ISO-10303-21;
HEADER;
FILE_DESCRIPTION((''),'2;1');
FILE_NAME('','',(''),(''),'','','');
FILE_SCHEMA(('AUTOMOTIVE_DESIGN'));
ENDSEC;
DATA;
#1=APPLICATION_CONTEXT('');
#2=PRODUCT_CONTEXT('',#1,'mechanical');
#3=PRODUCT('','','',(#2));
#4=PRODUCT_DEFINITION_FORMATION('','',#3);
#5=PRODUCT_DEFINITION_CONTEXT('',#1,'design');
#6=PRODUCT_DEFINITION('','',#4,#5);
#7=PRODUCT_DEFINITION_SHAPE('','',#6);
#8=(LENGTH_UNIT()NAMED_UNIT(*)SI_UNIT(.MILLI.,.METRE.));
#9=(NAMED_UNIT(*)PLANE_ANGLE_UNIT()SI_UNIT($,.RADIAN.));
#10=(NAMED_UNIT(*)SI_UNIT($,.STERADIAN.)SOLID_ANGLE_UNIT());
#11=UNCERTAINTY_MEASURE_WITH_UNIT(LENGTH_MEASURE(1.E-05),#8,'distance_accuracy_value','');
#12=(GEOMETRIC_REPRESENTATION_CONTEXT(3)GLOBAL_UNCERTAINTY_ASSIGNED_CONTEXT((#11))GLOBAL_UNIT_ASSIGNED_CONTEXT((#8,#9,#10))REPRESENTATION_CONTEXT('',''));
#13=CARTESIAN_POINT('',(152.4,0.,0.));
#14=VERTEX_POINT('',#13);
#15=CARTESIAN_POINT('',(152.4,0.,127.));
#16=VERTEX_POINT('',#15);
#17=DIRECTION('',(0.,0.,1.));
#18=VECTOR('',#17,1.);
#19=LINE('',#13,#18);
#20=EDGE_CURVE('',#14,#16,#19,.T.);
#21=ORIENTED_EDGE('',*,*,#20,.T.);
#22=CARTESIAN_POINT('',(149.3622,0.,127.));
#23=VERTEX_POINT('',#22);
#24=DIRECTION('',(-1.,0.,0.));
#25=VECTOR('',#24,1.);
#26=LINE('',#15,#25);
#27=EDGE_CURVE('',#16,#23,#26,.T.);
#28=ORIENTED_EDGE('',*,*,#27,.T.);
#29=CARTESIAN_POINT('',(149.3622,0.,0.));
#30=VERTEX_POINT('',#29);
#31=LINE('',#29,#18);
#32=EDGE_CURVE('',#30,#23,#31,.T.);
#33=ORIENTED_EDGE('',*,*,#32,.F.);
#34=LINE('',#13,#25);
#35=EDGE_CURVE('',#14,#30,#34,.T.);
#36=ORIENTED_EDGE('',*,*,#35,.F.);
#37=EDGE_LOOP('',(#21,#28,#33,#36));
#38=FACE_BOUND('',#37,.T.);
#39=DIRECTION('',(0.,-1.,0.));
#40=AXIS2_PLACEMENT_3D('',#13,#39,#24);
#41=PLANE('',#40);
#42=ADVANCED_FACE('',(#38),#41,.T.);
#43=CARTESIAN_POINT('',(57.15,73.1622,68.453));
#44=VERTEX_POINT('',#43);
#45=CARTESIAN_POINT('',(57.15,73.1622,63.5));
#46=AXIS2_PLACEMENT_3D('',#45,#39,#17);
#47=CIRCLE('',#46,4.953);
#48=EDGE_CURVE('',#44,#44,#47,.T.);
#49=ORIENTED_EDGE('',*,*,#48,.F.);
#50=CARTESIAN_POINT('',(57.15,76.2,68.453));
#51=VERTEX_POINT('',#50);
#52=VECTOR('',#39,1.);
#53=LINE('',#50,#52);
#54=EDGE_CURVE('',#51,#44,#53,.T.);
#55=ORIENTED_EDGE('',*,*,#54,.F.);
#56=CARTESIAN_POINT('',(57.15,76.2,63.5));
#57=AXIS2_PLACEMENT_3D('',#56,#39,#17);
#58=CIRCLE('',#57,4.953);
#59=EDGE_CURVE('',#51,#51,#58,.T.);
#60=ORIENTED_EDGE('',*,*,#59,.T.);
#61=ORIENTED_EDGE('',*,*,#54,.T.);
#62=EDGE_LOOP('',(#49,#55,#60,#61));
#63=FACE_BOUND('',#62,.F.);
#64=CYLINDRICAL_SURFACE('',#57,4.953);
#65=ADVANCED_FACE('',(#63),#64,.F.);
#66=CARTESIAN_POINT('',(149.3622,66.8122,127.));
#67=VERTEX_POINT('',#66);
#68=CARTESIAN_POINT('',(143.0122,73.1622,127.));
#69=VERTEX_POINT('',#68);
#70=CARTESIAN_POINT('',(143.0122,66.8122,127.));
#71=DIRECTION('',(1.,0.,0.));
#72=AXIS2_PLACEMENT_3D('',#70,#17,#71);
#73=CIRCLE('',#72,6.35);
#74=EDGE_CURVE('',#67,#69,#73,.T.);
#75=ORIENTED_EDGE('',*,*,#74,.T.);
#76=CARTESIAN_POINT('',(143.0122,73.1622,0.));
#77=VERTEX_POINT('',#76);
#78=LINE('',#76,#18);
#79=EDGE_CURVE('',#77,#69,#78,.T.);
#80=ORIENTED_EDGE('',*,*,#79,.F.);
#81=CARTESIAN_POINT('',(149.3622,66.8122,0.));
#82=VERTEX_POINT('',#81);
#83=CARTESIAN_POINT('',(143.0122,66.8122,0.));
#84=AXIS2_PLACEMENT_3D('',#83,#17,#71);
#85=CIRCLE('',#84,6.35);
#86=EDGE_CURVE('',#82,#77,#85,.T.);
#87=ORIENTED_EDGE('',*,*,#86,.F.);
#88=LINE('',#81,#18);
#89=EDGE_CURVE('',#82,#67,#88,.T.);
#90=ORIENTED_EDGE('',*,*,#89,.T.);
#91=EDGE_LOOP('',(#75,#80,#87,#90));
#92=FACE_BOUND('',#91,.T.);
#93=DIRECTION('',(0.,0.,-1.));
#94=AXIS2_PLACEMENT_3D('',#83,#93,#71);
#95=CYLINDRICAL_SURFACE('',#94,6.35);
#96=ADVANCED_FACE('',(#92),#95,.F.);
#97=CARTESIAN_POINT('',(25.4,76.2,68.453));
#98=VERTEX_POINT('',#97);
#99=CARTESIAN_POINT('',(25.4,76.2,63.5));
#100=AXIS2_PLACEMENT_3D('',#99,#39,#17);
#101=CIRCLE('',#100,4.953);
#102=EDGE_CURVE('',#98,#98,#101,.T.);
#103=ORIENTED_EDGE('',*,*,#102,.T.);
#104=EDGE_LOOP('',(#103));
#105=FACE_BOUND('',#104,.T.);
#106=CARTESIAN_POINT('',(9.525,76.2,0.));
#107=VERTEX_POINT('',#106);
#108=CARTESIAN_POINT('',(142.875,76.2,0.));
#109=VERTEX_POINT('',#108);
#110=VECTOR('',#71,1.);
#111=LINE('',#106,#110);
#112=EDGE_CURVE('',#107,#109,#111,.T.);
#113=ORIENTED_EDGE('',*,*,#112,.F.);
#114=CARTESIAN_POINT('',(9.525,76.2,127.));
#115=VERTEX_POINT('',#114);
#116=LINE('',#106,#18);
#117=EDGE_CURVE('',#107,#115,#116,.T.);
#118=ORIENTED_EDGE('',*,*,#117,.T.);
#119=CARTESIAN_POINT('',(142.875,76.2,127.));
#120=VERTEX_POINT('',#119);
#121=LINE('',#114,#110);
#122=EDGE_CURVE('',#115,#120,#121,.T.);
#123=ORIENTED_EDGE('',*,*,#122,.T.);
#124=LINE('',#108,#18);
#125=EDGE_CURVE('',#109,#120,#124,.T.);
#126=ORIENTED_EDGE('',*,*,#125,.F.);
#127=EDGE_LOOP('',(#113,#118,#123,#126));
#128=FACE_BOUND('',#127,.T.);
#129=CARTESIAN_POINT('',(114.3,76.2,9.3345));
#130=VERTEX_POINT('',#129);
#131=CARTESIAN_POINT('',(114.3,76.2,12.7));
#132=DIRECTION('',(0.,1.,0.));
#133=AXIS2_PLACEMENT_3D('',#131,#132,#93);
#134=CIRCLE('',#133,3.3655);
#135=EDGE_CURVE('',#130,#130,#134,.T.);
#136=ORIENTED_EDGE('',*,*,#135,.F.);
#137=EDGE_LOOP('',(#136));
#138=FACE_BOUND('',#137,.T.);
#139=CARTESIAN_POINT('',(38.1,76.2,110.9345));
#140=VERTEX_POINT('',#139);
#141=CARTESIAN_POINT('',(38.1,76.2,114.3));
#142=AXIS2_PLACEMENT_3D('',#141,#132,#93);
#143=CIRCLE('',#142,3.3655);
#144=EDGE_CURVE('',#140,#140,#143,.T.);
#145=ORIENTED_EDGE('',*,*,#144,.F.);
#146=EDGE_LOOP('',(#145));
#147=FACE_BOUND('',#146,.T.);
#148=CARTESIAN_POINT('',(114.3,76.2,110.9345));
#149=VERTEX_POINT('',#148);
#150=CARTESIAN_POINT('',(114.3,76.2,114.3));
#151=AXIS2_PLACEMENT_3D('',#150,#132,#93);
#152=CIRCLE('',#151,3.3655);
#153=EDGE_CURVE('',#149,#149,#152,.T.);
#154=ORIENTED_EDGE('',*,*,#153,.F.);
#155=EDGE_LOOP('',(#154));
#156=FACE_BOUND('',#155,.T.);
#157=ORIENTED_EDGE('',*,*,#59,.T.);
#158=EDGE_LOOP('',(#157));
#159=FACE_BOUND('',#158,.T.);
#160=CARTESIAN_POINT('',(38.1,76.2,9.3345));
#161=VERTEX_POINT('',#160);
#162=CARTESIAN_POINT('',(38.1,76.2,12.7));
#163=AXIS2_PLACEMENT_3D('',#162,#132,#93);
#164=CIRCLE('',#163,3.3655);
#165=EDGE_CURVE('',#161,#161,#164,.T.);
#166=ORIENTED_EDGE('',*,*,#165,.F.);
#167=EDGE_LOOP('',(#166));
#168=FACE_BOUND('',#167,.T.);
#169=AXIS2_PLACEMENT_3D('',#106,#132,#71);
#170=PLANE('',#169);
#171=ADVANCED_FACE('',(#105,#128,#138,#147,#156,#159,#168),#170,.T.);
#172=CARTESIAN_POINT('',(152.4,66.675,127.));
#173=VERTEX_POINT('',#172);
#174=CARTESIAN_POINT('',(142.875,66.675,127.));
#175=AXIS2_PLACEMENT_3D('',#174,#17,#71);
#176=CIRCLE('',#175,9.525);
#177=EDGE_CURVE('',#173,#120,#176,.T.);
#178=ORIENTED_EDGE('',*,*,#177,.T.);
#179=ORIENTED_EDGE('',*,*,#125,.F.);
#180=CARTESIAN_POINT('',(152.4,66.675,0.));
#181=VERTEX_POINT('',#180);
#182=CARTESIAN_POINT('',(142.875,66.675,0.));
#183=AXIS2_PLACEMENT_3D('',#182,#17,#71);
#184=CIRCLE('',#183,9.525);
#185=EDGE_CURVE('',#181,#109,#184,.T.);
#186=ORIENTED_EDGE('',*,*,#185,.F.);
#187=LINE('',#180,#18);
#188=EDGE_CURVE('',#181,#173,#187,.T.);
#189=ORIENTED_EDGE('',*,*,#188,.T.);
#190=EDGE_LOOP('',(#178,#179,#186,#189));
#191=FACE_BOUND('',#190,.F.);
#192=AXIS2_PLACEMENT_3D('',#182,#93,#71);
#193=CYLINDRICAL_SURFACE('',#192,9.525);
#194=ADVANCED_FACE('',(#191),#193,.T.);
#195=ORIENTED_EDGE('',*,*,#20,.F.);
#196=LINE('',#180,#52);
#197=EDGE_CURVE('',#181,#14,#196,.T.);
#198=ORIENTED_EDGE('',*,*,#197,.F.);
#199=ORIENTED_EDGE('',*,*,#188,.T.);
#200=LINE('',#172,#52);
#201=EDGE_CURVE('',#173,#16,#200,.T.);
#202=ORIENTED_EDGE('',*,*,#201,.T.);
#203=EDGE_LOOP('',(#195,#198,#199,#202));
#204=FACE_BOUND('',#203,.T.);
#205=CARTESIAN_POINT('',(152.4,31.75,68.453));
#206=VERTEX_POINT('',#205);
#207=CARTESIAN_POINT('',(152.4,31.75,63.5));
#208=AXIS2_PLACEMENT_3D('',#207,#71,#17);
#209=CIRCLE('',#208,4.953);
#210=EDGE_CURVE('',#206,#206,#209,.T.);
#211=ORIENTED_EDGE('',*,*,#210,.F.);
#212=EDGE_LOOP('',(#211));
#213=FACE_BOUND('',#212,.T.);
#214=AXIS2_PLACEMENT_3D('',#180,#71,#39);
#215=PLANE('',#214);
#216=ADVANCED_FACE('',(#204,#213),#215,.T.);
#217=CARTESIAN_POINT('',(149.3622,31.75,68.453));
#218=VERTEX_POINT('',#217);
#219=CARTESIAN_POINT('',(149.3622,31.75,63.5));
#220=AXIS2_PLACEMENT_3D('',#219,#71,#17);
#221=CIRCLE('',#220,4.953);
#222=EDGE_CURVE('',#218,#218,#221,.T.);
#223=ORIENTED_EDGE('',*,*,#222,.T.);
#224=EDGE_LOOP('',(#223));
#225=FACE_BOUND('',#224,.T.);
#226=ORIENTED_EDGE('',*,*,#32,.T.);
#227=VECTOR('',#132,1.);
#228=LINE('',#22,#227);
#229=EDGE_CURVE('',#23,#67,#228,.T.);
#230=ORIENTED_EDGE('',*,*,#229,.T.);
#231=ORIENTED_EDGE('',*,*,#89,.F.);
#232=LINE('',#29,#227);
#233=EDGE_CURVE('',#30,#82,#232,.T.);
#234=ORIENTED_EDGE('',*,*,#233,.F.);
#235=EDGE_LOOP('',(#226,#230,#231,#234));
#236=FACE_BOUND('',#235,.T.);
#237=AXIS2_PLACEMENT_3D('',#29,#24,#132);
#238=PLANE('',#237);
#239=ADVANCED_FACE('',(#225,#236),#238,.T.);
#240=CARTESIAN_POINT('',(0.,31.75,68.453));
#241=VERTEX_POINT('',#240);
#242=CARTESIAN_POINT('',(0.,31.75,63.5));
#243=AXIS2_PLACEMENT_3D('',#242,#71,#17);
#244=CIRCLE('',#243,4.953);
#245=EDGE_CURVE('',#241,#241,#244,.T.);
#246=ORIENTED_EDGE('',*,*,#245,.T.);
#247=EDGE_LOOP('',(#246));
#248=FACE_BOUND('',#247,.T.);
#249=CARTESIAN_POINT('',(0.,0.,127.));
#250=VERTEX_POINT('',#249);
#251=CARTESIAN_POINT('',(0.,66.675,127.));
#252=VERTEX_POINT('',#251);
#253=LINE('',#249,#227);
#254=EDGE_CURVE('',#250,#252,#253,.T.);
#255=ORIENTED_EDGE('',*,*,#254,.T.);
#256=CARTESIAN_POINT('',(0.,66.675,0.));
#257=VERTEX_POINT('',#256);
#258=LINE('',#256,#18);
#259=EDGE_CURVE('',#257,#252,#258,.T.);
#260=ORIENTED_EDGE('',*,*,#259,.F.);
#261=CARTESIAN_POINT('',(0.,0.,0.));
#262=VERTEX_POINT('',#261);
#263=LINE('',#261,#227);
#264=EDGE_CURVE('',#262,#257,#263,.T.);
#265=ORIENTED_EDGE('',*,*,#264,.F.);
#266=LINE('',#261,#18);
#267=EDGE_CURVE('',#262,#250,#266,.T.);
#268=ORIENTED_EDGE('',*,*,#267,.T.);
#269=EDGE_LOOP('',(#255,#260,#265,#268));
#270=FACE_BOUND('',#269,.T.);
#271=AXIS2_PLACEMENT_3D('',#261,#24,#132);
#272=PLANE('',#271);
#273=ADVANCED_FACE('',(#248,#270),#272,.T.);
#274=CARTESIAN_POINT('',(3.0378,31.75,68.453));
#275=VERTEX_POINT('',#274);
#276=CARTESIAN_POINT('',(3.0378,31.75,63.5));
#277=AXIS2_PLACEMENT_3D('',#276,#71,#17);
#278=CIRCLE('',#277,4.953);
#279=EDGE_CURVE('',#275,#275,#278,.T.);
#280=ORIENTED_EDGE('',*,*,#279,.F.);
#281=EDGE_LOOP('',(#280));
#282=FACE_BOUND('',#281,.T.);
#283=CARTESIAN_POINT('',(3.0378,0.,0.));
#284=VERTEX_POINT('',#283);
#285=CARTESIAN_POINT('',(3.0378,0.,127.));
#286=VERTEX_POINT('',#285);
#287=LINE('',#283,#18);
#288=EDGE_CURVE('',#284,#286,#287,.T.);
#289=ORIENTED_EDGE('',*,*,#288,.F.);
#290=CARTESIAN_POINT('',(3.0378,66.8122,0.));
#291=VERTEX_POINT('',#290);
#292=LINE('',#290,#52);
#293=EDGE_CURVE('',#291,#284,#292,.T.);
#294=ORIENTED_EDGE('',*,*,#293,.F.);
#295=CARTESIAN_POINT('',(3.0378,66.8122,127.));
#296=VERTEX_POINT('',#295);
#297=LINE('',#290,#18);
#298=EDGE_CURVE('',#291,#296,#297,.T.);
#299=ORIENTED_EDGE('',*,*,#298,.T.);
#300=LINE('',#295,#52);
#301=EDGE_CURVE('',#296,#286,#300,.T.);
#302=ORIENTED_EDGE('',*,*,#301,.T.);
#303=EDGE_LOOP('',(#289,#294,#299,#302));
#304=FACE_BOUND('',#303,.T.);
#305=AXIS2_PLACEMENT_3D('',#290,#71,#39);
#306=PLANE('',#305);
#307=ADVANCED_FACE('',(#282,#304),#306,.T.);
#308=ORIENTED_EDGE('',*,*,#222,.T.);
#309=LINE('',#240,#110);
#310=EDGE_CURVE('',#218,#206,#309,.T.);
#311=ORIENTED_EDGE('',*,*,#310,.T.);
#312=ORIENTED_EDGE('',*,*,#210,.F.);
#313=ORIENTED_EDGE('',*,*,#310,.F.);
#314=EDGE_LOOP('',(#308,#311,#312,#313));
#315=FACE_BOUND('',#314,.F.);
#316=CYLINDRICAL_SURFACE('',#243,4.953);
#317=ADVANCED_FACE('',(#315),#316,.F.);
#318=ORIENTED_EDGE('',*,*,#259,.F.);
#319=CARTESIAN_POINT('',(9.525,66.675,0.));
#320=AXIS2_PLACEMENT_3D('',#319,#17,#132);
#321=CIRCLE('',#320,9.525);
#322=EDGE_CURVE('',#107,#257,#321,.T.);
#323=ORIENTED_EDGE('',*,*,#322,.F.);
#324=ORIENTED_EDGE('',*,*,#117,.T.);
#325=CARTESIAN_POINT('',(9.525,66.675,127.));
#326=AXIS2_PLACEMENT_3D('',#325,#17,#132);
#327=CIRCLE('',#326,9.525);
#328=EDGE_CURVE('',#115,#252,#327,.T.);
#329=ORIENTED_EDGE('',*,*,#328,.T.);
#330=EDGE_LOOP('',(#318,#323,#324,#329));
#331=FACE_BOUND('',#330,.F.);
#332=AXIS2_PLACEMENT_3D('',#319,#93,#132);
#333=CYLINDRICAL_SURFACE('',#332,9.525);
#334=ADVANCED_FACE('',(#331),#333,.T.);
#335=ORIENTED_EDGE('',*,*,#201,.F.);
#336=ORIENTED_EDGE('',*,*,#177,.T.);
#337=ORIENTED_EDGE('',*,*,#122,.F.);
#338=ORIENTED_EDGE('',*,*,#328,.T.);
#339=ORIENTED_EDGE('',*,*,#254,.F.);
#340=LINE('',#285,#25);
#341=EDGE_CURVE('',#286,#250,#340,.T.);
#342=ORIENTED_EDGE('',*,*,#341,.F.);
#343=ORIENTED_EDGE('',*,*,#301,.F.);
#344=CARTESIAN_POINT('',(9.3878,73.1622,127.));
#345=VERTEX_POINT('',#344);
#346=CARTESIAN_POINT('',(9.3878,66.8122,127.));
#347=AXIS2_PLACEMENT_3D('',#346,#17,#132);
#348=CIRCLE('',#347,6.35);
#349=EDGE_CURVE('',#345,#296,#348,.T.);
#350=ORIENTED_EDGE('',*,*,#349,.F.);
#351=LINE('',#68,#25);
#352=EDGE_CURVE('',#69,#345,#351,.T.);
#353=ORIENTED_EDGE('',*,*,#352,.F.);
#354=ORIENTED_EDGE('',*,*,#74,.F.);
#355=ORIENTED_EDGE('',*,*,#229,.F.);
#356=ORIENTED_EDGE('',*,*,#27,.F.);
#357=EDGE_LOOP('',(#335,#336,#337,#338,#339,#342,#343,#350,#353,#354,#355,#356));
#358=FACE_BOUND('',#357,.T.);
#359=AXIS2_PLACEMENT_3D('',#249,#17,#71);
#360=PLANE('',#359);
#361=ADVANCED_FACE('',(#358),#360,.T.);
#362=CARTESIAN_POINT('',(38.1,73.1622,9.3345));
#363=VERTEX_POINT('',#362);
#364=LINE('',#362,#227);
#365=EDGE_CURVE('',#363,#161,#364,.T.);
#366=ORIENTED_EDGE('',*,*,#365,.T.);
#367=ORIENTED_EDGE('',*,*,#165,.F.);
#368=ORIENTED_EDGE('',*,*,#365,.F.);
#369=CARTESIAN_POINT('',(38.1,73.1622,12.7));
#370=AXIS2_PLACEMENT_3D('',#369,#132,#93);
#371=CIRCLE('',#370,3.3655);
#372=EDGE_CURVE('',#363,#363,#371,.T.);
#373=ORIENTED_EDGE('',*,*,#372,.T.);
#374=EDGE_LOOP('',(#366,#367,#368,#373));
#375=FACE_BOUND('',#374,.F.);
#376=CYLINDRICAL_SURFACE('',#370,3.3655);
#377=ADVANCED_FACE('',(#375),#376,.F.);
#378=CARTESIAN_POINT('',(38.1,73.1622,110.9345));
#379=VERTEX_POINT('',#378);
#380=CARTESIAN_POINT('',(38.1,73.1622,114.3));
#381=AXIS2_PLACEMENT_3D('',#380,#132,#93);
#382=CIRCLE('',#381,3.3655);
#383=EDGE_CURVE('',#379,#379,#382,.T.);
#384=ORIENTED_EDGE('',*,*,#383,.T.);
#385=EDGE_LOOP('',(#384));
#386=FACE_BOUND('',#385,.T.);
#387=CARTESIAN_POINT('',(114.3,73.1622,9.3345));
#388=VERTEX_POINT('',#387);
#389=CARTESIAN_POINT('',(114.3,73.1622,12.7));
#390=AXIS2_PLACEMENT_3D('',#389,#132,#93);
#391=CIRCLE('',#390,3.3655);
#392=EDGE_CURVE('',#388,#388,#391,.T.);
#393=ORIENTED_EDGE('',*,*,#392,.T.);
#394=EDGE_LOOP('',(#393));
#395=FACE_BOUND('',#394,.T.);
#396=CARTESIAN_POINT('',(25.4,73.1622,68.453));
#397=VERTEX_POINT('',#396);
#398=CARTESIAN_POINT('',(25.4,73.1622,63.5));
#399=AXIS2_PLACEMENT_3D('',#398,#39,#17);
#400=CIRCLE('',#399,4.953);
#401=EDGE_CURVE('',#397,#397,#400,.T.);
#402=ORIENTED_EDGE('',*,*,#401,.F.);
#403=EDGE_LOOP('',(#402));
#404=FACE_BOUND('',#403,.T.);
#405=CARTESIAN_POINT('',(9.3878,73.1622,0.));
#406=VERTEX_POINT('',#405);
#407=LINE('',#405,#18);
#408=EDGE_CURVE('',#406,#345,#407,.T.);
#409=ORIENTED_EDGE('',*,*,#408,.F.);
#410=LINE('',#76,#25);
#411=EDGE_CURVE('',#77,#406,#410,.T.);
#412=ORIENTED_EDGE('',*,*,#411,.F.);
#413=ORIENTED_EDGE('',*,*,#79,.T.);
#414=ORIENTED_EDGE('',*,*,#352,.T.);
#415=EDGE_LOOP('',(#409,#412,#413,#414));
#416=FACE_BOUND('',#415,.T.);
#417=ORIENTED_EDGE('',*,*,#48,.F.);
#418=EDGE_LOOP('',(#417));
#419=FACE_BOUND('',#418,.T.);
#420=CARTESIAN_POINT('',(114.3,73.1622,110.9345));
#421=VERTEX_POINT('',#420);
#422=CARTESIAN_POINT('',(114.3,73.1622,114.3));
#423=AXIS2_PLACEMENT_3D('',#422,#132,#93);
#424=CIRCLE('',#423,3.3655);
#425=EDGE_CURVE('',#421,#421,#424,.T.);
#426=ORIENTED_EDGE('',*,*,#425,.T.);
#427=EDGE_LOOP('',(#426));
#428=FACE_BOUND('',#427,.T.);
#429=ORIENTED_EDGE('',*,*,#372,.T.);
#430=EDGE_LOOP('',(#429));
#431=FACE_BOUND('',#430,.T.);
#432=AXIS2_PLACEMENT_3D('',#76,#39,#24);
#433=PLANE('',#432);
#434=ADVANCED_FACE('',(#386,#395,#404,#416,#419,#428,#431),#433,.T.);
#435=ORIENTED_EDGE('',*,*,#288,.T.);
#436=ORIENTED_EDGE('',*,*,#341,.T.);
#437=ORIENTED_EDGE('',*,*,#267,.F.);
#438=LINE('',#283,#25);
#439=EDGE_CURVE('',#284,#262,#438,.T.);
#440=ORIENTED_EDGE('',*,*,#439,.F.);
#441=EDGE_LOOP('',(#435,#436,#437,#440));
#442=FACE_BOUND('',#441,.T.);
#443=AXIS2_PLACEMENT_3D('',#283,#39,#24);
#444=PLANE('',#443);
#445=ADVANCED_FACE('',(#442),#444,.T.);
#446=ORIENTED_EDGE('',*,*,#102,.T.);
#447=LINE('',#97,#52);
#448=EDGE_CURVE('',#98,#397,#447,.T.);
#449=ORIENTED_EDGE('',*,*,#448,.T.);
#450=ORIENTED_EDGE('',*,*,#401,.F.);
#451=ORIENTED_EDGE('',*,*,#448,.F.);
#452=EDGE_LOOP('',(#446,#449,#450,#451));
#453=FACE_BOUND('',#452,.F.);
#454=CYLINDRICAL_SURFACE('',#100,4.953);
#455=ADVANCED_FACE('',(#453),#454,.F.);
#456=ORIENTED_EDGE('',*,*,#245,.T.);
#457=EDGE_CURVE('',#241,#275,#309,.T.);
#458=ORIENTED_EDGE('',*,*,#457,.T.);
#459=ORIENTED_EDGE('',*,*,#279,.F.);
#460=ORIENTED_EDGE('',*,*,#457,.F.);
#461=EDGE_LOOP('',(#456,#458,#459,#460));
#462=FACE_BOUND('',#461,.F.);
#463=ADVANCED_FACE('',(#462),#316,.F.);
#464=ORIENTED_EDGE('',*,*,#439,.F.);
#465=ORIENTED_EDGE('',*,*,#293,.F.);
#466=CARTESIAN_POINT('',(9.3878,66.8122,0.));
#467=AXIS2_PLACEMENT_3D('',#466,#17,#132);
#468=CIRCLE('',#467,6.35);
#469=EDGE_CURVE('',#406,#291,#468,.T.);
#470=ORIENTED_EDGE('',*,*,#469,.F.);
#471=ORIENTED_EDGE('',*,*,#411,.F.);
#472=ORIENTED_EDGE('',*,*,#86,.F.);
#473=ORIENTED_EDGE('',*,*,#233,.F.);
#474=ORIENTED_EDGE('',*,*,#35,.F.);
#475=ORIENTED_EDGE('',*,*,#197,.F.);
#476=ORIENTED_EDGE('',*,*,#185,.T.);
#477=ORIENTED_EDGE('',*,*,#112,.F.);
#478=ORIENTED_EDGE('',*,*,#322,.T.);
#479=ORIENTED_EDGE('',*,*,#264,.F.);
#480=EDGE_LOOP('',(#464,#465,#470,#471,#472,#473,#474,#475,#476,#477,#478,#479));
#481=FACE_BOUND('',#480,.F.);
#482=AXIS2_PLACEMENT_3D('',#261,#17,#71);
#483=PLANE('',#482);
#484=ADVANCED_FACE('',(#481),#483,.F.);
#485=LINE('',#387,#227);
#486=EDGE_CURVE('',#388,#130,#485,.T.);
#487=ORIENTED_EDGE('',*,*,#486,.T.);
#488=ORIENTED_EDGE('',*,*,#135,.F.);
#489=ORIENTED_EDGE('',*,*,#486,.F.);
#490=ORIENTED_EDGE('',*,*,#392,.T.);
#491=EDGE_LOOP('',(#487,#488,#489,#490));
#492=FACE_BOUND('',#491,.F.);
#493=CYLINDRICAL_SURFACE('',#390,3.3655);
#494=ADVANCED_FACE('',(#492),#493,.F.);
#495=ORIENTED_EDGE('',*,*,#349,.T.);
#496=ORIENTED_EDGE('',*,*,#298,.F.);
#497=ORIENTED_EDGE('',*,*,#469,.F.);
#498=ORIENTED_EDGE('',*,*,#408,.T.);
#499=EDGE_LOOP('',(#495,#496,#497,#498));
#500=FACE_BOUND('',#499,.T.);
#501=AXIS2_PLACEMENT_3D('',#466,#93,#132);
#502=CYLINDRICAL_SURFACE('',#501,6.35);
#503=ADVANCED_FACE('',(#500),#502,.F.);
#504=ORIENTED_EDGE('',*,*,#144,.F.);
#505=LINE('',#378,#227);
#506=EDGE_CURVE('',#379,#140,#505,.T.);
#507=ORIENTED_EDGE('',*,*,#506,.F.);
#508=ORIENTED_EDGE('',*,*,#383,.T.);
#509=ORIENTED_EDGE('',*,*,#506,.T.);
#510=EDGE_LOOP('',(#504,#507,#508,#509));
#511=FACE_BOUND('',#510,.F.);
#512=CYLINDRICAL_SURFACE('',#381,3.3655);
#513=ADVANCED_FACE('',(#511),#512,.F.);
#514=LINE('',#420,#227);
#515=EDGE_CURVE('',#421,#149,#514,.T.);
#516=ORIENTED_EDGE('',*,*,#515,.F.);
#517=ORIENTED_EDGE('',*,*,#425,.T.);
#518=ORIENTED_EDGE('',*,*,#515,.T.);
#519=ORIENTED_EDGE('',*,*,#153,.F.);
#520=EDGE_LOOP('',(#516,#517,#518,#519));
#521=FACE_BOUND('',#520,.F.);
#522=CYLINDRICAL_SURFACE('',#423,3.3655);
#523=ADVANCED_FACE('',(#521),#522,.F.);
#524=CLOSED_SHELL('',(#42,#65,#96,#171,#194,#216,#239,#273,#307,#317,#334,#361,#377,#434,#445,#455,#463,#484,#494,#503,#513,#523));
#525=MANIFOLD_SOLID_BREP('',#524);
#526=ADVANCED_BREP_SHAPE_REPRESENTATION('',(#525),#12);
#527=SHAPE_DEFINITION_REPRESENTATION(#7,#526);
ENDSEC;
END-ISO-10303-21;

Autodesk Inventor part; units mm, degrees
ref_plane "YZ Plane" through (0, 0, 0) normal (1, 0, 0) x (0, 1, 0)
ref_plane "XZ Plane" through (0, 0, 0) normal (0, 1, 0) x (-1, 0, 0)
ref_plane "XY Plane" through (0, 0, 0) normal (0, 0, 1) x (1, 0, 0)
sketch "Sketch1" plane through (0, 0, 0) normal (0, 0, 1) x (1, 0, 0)
  line L0 (0, 0) -> (0, 66.675)
  line L1 (9.525, 76.2) -> (142.875, 76.2)
  line L2 (152.4, 66.675) -> (152.4, 0)
  line L3 (152.4, 0) -> (149.3622, 0)
  line L4 (149.3622, 0) -> (149.3622, 66.8122)
  line L5 (143.0122, 73.1622) -> (9.3878, 73.1622)
  line L6 (3.0378, 66.8122) -> (3.0378, 0)
  line L7 (3.0378, 0) -> (0, 0)
  arc A0 (9.3878, 73.1622) -> (3.0378, 66.8122) centre (9.3878, 66.8122) ccw
  arc A1 (149.3622, 66.8122) -> (143.0122, 73.1622) centre (143.0122, 66.8122) ccw
  arc A2 (9.525, 76.2) -> (0, 66.675) centre (9.525, 66.675) ccw
  arc A3 (152.4, 66.675) -> (142.875, 76.2) centre (142.875, 66.675) ccw
  point P0 (0, 76.2)
  point P1 (152.4, 76.2)
  dimension "d0" = 76.2
  dimension "d1" = 3.0378
  dimension "d2" = 3.0378
  dimension "d3" = 152.4
  dimension "d4" = 6.35
  dimension "d5" = 9.525
extrude "Extrusion1" add sketch "Sketch1" along normal blind 127
hole "Hole1" at (25.4, 76.2, 63.5) direction (0, -1, 0) diameter 9.906 end through all
pattern_linear "Rectangular Pattern1" count 2 spacing 31.75 along (1, 0, 0) of "Hole1"
hole "Hole2" at (0, 31.75, 63.5) direction (1, 0, 0) diameter 9.906 end through all
hole "Hole3" at (38.1, 73.1622, 12.7) direction (0, 1, 0) diameter 6.731 depth 25.4 tip angle 118
pattern_linear "Rectangular Pattern2" count 2 spacing 76.2 along (1, 0, 0) count 2 spacing 101.6 along (0, 0, 1) of "Hole3"
equation "\"d2\" = d1"
properties part number "GE-12025" material "Steel"
